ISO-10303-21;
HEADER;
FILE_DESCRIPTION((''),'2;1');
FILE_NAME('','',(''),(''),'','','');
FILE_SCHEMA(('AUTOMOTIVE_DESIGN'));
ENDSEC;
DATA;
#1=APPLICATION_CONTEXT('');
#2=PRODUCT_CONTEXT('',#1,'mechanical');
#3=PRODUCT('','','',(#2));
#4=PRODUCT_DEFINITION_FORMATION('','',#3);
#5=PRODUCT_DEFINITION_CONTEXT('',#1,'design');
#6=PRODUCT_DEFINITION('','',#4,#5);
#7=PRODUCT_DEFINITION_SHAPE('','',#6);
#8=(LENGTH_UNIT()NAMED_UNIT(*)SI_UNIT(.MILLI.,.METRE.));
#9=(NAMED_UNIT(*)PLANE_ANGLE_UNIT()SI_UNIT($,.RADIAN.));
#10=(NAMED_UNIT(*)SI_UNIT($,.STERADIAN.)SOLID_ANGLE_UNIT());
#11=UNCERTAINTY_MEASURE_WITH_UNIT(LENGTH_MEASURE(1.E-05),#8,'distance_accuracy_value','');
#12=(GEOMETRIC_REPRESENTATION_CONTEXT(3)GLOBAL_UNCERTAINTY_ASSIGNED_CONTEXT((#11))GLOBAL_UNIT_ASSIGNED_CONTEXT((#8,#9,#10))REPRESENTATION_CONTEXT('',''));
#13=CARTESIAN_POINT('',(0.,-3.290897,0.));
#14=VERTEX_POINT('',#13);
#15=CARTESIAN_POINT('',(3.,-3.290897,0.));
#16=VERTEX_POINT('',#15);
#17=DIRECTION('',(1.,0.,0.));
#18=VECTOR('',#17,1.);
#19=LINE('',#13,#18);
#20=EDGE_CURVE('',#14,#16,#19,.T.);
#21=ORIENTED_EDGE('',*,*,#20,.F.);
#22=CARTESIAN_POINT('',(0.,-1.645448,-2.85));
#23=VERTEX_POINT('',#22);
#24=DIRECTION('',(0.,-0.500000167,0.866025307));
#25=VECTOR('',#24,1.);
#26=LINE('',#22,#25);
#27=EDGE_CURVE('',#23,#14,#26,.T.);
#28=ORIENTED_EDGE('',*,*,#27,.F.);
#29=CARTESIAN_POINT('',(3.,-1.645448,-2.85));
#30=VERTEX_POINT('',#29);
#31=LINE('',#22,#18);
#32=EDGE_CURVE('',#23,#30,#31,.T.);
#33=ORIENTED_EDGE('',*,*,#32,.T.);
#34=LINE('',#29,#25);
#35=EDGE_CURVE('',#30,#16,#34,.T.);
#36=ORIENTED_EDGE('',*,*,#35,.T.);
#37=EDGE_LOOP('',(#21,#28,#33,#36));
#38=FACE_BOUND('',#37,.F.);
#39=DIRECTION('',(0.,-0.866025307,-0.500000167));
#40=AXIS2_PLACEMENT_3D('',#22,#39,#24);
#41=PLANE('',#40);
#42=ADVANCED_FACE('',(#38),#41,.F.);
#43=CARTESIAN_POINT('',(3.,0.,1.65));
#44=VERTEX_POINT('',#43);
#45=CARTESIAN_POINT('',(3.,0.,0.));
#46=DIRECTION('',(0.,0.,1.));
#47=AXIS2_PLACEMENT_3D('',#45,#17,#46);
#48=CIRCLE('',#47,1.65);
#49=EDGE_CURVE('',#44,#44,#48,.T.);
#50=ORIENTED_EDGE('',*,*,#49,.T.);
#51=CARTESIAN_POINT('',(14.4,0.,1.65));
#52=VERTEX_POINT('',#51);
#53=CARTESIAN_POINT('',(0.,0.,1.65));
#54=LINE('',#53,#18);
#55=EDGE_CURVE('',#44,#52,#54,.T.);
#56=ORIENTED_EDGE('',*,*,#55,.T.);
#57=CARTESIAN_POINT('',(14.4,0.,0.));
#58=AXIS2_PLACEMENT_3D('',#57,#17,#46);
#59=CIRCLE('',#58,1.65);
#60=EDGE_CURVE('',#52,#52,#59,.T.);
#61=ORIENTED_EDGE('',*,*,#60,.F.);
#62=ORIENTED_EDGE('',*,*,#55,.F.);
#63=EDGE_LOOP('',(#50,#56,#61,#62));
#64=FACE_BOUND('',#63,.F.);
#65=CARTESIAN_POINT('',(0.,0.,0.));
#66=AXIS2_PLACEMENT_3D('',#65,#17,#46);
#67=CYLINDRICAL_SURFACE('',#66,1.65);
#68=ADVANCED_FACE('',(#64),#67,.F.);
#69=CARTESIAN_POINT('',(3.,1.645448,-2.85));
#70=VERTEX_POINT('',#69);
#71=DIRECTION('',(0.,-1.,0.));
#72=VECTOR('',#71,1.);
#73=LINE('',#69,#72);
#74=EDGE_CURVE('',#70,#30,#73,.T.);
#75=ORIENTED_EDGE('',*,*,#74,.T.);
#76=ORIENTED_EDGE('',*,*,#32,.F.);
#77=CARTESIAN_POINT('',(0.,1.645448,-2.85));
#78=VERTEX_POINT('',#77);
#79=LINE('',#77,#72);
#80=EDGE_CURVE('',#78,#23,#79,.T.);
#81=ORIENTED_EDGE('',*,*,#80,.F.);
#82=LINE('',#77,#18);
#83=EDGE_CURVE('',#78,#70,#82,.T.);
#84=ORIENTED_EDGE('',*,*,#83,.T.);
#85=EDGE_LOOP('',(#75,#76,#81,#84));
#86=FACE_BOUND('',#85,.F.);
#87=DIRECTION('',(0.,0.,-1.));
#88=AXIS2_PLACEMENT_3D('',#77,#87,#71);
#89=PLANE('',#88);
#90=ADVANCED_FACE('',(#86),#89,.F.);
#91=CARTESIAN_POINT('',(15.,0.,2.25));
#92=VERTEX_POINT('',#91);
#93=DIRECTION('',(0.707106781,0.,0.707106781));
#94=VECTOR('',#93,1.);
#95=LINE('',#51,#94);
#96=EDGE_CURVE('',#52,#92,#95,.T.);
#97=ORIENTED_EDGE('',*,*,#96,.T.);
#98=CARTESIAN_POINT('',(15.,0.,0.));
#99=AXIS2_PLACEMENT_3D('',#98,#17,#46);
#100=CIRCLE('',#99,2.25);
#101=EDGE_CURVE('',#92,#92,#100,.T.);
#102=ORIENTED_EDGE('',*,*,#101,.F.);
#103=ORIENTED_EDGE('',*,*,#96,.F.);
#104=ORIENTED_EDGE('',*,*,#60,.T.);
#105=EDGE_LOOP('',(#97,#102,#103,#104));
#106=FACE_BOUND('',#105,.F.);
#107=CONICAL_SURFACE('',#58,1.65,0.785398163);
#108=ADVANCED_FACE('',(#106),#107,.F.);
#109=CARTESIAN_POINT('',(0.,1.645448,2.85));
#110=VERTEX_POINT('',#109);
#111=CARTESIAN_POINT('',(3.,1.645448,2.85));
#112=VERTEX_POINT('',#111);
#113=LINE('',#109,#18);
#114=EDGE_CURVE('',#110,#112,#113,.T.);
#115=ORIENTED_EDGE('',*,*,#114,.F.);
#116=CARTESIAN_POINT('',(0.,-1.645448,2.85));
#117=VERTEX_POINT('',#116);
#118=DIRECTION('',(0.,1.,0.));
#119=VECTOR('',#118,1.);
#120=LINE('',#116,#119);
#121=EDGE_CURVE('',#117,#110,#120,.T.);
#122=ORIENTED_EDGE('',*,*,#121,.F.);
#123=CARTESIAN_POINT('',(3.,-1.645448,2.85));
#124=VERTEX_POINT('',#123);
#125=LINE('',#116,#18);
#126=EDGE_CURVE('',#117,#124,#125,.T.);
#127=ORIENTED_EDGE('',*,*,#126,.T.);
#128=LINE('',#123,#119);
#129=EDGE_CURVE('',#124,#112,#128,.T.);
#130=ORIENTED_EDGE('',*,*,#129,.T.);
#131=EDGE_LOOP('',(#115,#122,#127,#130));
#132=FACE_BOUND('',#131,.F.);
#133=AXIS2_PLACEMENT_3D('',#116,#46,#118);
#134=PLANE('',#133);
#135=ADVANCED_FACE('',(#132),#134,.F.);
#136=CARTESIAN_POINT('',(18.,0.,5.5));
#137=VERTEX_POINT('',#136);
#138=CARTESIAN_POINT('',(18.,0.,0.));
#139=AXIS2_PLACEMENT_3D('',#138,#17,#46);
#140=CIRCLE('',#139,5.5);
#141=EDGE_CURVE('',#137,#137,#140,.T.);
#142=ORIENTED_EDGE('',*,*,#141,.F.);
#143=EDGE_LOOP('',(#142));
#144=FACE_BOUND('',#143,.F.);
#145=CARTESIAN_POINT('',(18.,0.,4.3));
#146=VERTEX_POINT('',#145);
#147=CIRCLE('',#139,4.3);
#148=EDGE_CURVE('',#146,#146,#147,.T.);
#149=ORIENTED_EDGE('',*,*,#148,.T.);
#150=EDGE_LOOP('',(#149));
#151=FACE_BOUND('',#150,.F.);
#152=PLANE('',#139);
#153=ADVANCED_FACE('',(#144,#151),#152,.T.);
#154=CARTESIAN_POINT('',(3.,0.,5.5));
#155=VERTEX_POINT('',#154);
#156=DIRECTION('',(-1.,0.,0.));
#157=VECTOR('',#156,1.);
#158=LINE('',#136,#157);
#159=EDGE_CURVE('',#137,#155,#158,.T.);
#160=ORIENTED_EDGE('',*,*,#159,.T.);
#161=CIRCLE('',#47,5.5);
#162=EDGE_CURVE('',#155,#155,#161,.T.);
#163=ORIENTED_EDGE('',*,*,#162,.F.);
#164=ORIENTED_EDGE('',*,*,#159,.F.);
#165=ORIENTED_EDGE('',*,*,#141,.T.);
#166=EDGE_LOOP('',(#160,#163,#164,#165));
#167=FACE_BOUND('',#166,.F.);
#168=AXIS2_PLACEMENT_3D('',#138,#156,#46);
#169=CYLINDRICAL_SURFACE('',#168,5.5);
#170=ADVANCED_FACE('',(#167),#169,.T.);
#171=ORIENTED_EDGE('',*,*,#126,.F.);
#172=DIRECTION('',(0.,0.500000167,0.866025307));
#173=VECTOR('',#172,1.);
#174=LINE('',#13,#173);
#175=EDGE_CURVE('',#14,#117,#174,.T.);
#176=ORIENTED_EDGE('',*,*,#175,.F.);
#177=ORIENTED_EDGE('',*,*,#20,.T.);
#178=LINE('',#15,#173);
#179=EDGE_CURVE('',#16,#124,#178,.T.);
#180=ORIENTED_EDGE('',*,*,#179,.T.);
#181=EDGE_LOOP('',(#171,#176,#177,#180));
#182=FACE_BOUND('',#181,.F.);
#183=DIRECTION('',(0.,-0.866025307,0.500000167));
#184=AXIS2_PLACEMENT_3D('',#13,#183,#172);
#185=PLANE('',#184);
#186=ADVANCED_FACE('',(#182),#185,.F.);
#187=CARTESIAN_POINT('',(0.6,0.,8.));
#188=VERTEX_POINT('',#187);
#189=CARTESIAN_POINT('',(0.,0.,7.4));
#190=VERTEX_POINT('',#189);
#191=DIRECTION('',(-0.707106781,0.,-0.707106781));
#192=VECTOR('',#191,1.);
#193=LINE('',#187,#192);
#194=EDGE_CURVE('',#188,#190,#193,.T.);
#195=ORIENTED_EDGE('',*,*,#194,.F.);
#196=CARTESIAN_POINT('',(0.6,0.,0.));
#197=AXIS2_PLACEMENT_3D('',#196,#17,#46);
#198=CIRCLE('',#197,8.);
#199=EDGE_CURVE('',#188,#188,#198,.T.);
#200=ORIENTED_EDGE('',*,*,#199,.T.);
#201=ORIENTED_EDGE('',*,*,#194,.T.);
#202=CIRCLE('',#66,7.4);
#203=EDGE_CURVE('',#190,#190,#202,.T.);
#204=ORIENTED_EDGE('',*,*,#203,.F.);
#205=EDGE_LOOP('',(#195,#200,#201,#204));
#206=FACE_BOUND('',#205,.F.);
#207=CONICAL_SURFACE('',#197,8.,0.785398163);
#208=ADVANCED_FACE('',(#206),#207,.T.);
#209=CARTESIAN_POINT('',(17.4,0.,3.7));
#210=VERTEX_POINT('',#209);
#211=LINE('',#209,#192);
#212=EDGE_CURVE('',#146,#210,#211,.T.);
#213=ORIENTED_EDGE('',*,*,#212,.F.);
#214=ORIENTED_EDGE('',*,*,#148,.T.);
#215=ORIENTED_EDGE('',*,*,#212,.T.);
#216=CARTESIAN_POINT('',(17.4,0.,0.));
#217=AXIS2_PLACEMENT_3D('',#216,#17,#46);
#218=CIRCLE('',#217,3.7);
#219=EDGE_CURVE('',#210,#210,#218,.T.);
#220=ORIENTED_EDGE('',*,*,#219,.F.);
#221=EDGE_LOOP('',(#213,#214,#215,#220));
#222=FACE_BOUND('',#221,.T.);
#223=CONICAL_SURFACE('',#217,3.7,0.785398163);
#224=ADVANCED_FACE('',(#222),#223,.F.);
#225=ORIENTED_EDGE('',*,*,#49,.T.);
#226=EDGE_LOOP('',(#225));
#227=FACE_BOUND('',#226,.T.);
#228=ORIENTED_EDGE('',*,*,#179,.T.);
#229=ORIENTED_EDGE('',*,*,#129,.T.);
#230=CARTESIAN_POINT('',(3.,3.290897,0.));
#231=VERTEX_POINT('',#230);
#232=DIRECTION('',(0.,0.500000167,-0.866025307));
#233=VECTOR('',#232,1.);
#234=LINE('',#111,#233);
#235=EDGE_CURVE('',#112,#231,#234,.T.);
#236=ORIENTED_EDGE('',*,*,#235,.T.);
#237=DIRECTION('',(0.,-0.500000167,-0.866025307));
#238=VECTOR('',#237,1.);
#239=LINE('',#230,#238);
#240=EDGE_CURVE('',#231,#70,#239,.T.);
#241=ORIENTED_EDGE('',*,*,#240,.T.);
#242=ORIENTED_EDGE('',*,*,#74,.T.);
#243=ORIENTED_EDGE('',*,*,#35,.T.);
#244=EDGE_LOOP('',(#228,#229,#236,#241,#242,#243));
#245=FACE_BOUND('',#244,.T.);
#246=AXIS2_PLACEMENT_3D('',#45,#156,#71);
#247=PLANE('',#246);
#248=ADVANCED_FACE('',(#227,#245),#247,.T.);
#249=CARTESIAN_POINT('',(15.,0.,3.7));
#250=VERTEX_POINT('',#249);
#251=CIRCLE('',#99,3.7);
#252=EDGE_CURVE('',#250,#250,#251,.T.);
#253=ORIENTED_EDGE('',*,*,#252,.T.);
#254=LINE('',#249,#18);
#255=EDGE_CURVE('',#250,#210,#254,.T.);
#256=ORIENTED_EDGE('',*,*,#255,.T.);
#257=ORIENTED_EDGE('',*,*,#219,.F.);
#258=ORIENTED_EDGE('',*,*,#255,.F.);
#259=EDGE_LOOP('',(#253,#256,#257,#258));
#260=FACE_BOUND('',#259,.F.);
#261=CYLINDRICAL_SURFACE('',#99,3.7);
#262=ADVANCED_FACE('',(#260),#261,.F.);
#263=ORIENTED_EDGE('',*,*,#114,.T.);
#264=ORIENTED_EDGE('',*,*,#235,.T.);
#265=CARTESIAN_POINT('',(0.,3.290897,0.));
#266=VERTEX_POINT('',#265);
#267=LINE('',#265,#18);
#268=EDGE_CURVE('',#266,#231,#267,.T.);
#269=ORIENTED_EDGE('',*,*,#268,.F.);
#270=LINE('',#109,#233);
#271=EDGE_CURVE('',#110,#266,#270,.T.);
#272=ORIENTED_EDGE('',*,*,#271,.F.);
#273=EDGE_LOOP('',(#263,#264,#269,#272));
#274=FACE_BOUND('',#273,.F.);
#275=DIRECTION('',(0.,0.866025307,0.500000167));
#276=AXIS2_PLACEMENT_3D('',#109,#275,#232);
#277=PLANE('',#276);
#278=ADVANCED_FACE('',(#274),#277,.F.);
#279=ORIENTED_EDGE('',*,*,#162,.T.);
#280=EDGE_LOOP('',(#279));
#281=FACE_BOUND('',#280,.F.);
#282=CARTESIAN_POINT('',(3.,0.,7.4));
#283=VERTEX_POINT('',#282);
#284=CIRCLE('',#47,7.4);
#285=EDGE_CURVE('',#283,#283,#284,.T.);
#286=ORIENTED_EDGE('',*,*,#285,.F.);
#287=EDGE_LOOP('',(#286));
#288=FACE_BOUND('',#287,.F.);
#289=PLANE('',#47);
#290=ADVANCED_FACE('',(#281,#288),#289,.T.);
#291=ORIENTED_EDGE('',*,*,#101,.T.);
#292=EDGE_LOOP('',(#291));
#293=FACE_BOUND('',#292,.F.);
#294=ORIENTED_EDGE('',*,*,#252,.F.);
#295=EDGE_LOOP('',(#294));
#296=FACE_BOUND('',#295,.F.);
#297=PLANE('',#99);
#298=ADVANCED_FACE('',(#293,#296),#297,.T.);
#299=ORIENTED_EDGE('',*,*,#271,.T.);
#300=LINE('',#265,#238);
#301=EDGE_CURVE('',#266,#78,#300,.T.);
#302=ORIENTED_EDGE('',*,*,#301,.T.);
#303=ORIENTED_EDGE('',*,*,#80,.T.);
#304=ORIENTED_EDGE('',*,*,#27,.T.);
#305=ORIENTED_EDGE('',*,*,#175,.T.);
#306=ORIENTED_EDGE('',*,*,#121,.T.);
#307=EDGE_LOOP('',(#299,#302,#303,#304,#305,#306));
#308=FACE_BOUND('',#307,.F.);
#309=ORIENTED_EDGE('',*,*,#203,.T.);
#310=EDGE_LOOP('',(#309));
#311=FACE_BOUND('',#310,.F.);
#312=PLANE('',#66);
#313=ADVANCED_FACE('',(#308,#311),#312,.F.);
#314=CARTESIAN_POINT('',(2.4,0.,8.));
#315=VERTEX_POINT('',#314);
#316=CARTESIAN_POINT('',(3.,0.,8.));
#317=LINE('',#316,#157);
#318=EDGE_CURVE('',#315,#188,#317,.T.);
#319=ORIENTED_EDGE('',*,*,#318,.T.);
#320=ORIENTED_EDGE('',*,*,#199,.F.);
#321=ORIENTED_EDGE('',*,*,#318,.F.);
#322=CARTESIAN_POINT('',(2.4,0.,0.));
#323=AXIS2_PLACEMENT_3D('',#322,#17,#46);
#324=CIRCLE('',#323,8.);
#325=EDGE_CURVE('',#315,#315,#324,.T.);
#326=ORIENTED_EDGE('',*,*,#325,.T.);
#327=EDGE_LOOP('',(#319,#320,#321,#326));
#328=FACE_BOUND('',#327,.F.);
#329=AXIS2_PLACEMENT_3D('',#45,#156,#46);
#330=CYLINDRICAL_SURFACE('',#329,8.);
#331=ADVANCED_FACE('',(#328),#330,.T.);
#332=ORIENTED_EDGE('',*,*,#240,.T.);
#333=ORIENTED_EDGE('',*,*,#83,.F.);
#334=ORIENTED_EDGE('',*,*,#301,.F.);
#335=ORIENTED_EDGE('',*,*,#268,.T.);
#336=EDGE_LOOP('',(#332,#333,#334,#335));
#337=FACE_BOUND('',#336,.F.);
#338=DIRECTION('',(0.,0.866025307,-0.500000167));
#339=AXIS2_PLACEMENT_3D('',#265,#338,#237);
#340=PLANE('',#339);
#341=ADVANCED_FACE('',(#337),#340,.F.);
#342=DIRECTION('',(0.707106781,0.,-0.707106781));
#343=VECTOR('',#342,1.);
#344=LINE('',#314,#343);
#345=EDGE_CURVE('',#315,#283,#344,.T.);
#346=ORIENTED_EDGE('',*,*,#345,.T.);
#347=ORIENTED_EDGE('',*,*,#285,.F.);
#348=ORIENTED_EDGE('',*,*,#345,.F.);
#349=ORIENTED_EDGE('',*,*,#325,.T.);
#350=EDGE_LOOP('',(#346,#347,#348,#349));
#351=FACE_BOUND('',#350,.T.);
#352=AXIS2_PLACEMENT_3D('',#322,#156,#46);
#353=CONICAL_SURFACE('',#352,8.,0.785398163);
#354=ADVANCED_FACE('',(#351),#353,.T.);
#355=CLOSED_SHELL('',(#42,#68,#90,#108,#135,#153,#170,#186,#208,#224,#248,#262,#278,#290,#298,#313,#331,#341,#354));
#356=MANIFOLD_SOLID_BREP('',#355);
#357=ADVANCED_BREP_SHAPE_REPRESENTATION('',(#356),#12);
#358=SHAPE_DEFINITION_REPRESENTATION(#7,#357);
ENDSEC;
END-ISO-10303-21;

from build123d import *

# Parameters (mm, degrees)
F3_DEPTH = 3
F4_SIZE  = 0.6


with BuildPart() as f1:
    # F0 (on Front) → F1 (revolve)
    with BuildSketch(Plane.XZ):
        Polygon((3, 8), (0, 8), (0, 1.65), (15, 1.65), (15, 3.7), (18, 3.7), (18, 5.5), (3, 5.5), align=None)
    revolve(axis=Axis((6.870626, 0, 0), (1, 0, 0)))

    # F2 (on face) → F3 (cut)
    with BuildSketch(Plane(origin=(0, 0, 0), x_dir=(0, -1, 0), z_dir=(-1, 0, 0))):
        Polygon((-1.645448, -2.85), (1.645448, -2.85), (3.290897, 0), (1.645448, 2.85), (-1.645448, 2.85), (-3.290897, 0), align=None)
    extrude(amount=-F3_DEPTH, mode=Mode.SUBTRACT)

    # F4
    f4_edges = [f1.edges().sort_by_distance(p)[0] for p in [
        (0, 0, -8),
        (18, 0, -3.7),
        (15, 0, -1.65),
        (3, 0, -8),
    ]]
    chamfer(f4_edges, length=F4_SIZE)


solid = f1.part
